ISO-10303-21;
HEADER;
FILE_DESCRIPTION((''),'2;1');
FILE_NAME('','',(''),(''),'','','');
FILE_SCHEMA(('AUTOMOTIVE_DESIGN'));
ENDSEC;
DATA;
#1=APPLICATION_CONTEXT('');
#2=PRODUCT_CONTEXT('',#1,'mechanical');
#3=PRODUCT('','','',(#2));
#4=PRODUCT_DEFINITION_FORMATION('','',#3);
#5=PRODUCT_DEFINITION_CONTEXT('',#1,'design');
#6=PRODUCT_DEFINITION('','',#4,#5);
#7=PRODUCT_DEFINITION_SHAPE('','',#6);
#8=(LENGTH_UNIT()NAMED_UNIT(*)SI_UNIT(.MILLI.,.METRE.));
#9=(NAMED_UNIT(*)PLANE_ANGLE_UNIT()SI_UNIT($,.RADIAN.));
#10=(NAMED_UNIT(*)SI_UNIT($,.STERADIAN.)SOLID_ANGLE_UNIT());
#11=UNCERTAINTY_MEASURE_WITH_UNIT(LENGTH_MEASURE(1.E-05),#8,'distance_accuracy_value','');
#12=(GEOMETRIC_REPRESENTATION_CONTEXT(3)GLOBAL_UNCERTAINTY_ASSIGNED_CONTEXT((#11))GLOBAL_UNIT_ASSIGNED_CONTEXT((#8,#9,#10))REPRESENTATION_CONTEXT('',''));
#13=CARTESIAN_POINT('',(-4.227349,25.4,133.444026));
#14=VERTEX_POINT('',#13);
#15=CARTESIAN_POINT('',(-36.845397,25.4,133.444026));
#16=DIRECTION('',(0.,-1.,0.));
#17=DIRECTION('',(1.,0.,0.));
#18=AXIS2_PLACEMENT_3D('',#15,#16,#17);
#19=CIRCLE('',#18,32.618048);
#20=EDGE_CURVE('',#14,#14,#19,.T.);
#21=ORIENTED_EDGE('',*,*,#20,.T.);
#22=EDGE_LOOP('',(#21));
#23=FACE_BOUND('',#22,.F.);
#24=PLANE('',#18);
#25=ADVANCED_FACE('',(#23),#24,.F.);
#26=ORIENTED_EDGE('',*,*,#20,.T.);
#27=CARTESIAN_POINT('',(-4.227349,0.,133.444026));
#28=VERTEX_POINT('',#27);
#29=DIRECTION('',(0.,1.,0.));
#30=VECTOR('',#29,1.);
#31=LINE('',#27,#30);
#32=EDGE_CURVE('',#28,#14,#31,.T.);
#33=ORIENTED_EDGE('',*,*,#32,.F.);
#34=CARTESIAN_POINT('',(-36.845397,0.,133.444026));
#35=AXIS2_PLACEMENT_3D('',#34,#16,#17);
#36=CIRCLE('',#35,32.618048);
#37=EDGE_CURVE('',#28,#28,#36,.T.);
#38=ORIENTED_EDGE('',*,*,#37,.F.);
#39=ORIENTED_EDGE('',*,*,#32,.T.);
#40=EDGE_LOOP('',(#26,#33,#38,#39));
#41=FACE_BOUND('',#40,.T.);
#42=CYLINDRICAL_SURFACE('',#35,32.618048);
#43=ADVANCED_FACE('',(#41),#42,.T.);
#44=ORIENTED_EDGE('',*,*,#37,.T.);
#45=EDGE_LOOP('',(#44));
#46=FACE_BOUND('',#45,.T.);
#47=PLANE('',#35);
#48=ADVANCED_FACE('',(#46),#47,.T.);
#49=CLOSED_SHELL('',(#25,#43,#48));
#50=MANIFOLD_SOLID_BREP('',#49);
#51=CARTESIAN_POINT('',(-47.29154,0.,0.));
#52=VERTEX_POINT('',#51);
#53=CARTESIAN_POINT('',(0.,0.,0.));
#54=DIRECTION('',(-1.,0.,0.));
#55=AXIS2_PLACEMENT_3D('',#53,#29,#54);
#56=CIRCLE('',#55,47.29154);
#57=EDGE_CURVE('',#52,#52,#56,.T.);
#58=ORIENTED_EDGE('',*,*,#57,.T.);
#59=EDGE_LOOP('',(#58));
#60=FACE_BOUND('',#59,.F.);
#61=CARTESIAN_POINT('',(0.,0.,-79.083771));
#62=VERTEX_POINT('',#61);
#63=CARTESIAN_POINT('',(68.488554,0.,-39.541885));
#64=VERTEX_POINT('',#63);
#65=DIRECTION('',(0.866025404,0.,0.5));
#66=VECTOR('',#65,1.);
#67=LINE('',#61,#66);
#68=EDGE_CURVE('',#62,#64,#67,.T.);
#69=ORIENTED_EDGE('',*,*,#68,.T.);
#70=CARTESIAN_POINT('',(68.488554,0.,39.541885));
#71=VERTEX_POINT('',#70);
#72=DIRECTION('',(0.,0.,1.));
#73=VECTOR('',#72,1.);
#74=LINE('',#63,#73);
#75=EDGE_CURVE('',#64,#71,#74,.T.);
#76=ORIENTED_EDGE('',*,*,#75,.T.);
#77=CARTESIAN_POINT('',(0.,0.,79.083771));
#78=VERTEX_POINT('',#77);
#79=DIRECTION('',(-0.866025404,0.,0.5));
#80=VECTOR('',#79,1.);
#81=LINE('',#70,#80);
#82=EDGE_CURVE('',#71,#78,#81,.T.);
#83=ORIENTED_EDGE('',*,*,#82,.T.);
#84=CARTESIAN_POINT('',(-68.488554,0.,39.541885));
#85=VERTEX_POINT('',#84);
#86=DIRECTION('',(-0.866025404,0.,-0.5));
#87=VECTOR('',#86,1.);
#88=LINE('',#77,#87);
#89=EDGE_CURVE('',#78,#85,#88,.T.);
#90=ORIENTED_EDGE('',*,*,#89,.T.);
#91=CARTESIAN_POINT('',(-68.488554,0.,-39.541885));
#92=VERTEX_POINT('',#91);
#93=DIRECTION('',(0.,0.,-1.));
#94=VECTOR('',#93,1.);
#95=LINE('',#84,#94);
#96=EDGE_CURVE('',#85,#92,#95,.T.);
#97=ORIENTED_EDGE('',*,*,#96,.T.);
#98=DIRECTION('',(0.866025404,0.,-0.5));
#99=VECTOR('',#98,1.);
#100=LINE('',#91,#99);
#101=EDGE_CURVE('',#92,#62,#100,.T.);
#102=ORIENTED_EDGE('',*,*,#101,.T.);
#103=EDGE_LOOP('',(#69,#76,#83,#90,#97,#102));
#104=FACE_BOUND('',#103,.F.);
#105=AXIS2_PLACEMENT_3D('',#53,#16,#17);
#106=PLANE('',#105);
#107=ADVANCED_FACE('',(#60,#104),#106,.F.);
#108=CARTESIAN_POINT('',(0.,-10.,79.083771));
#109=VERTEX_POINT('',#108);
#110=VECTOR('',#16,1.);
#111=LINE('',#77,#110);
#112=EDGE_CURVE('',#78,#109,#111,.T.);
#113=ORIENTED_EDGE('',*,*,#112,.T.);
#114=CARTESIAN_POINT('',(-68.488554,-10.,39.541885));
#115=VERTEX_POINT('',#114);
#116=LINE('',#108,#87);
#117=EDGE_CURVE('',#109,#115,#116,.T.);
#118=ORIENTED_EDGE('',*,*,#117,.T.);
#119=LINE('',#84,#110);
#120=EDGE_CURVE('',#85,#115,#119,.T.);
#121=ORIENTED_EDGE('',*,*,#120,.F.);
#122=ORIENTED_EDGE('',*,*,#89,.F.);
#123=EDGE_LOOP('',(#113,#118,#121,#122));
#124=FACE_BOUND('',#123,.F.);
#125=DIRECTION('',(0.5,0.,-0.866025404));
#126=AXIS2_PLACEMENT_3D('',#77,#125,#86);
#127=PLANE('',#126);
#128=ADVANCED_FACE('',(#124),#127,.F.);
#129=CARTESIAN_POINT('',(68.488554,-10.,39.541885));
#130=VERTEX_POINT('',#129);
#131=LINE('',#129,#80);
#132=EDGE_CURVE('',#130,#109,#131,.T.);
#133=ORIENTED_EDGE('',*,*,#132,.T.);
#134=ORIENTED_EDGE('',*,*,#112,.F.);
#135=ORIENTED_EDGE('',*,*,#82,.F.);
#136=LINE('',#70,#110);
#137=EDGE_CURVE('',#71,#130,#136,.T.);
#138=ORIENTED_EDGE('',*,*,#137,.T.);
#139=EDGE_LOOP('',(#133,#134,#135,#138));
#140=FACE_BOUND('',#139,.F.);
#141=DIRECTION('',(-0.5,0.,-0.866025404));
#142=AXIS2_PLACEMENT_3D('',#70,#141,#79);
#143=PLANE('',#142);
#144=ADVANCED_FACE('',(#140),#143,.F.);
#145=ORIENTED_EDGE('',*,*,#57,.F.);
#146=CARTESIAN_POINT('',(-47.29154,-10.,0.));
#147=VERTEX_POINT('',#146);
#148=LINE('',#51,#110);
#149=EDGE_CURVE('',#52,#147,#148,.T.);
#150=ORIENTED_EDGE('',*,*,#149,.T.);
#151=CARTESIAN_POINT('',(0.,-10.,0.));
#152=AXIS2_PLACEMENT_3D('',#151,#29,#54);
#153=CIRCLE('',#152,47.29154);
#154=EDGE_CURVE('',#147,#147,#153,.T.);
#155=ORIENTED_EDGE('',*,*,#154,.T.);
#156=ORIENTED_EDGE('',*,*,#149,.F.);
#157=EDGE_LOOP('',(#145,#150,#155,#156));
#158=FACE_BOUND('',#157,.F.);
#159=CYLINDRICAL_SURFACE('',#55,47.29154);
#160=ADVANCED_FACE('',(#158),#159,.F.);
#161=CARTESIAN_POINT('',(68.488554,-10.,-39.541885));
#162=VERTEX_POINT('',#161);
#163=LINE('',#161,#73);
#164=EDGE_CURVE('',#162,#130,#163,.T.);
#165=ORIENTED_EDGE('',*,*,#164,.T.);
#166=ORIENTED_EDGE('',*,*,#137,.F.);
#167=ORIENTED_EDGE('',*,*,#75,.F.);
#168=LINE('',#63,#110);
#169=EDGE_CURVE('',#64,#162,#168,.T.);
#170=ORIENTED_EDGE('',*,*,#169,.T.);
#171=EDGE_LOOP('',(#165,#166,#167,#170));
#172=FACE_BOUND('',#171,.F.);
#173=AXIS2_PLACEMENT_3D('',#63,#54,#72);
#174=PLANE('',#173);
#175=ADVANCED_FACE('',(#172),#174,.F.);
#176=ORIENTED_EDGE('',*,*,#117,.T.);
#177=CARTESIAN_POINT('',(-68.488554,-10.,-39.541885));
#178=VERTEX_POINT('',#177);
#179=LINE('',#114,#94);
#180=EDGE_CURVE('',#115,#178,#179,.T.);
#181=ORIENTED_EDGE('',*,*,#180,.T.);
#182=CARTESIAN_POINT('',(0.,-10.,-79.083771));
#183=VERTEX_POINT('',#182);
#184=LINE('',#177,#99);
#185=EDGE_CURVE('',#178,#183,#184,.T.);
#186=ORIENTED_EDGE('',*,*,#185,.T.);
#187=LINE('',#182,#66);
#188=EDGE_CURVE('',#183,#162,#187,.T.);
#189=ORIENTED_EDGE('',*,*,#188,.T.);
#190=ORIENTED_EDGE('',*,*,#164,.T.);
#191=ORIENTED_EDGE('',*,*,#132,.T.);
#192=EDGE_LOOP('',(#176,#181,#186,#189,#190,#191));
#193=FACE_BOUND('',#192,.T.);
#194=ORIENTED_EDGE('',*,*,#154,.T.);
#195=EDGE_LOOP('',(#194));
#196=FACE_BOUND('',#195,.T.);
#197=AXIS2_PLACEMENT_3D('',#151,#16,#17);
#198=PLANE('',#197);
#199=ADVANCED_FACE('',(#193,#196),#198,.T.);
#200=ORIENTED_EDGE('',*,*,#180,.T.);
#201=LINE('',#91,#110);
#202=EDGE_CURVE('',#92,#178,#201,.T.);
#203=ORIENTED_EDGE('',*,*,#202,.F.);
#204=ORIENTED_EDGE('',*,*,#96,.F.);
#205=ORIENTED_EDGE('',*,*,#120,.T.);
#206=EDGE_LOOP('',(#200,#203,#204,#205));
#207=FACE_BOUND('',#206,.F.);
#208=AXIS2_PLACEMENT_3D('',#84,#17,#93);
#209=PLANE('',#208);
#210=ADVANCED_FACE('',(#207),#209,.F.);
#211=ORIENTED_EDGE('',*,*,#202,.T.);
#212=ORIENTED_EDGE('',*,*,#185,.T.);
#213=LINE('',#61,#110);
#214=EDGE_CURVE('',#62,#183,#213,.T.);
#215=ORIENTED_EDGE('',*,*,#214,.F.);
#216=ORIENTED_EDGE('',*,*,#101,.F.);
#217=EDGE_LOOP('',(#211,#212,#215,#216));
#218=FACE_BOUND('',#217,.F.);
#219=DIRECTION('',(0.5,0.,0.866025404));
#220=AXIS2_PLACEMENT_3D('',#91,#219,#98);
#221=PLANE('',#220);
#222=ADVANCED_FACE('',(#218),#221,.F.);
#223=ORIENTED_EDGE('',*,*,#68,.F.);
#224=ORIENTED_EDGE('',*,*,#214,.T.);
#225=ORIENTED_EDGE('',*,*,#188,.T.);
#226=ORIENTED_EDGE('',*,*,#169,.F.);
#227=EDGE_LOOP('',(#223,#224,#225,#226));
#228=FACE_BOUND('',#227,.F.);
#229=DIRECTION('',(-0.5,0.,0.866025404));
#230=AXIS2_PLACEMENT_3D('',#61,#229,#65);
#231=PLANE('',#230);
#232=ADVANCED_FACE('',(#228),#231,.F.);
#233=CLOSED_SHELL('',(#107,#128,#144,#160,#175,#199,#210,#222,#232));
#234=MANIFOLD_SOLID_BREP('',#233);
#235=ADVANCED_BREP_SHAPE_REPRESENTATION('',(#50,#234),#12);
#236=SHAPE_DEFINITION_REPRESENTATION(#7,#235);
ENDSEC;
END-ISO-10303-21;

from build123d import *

# Parameters (mm, degrees)
F1_DEPTH  = 10
F2_R      = 45.4942813863
F3_DEPTH  = 25.4
F4_R      = 47.204093178
F5_DEPTH  = 25.4
F6_R      = 46.3847051747
F7_DEPTH  = 10
F8_R      = 47.2915401182
F9_DEPTH  = 25.4
F10_R     = 32.6180484156
F10_R_2   = 26.2680526833
F11_DEPTH = 25.399999693


with BuildPart() as f1:
    # F0 (on Front) → F1 (new body)
    with BuildSketch(Plane.XZ):
        Polygon((-68.4885542918, -39.5418852568), (0, -79.0837705135), (68.4885542918, -39.5418852568), (68.4885542918, 39.5418852568), (0, 79.0837705135), (-68.4885542918, 39.5418852568), align=None)
    extrude(amount=F1_DEPTH)

    # F2 (on Front) → F3 (cut)
    with BuildSketch(Plane.XZ):
        Circle(F2_R)
    extrude(amount=-F3_DEPTH, mode=Mode.SUBTRACT)

    # F4 (on Front) → F5 (cut)
    with BuildSketch(Plane.XZ):
        Circle(F4_R)
    extrude(amount=-F5_DEPTH, mode=Mode.SUBTRACT)

    # F6 (on Front) → F7 (cut)
    with BuildSketch(Plane.XZ):
        Circle(F6_R)
    extrude(amount=-F7_DEPTH, mode=Mode.SUBTRACT)

    # F8 (on face) → F9 (cut)
    with BuildSketch(Plane(origin=(0, 0, 0), x_dir=(-1, 0, 0), z_dir=(0, 1, 0))):
        Circle(F8_R)
    extrude(amount=-F9_DEPTH, mode=Mode.SUBTRACT)


with BuildPart() as f11:
    # F10 (on Front) → F11 (new body)
    with BuildSketch(Plane.XZ):
        with Locations((-36.8453972042, 133.4440261126)):
            Circle(F10_R)
        with Locations((-36.8453972042, 133.4440261126)):
            Circle(F10_R_2, mode=Mode.SUBTRACT)
        with Locations((-36.8453972042, 133.4440261126)):
            Circle(F10_R_2)
    extrude(amount=-F11_DEPTH)


solid = Compound([f1.part, f11.part])
